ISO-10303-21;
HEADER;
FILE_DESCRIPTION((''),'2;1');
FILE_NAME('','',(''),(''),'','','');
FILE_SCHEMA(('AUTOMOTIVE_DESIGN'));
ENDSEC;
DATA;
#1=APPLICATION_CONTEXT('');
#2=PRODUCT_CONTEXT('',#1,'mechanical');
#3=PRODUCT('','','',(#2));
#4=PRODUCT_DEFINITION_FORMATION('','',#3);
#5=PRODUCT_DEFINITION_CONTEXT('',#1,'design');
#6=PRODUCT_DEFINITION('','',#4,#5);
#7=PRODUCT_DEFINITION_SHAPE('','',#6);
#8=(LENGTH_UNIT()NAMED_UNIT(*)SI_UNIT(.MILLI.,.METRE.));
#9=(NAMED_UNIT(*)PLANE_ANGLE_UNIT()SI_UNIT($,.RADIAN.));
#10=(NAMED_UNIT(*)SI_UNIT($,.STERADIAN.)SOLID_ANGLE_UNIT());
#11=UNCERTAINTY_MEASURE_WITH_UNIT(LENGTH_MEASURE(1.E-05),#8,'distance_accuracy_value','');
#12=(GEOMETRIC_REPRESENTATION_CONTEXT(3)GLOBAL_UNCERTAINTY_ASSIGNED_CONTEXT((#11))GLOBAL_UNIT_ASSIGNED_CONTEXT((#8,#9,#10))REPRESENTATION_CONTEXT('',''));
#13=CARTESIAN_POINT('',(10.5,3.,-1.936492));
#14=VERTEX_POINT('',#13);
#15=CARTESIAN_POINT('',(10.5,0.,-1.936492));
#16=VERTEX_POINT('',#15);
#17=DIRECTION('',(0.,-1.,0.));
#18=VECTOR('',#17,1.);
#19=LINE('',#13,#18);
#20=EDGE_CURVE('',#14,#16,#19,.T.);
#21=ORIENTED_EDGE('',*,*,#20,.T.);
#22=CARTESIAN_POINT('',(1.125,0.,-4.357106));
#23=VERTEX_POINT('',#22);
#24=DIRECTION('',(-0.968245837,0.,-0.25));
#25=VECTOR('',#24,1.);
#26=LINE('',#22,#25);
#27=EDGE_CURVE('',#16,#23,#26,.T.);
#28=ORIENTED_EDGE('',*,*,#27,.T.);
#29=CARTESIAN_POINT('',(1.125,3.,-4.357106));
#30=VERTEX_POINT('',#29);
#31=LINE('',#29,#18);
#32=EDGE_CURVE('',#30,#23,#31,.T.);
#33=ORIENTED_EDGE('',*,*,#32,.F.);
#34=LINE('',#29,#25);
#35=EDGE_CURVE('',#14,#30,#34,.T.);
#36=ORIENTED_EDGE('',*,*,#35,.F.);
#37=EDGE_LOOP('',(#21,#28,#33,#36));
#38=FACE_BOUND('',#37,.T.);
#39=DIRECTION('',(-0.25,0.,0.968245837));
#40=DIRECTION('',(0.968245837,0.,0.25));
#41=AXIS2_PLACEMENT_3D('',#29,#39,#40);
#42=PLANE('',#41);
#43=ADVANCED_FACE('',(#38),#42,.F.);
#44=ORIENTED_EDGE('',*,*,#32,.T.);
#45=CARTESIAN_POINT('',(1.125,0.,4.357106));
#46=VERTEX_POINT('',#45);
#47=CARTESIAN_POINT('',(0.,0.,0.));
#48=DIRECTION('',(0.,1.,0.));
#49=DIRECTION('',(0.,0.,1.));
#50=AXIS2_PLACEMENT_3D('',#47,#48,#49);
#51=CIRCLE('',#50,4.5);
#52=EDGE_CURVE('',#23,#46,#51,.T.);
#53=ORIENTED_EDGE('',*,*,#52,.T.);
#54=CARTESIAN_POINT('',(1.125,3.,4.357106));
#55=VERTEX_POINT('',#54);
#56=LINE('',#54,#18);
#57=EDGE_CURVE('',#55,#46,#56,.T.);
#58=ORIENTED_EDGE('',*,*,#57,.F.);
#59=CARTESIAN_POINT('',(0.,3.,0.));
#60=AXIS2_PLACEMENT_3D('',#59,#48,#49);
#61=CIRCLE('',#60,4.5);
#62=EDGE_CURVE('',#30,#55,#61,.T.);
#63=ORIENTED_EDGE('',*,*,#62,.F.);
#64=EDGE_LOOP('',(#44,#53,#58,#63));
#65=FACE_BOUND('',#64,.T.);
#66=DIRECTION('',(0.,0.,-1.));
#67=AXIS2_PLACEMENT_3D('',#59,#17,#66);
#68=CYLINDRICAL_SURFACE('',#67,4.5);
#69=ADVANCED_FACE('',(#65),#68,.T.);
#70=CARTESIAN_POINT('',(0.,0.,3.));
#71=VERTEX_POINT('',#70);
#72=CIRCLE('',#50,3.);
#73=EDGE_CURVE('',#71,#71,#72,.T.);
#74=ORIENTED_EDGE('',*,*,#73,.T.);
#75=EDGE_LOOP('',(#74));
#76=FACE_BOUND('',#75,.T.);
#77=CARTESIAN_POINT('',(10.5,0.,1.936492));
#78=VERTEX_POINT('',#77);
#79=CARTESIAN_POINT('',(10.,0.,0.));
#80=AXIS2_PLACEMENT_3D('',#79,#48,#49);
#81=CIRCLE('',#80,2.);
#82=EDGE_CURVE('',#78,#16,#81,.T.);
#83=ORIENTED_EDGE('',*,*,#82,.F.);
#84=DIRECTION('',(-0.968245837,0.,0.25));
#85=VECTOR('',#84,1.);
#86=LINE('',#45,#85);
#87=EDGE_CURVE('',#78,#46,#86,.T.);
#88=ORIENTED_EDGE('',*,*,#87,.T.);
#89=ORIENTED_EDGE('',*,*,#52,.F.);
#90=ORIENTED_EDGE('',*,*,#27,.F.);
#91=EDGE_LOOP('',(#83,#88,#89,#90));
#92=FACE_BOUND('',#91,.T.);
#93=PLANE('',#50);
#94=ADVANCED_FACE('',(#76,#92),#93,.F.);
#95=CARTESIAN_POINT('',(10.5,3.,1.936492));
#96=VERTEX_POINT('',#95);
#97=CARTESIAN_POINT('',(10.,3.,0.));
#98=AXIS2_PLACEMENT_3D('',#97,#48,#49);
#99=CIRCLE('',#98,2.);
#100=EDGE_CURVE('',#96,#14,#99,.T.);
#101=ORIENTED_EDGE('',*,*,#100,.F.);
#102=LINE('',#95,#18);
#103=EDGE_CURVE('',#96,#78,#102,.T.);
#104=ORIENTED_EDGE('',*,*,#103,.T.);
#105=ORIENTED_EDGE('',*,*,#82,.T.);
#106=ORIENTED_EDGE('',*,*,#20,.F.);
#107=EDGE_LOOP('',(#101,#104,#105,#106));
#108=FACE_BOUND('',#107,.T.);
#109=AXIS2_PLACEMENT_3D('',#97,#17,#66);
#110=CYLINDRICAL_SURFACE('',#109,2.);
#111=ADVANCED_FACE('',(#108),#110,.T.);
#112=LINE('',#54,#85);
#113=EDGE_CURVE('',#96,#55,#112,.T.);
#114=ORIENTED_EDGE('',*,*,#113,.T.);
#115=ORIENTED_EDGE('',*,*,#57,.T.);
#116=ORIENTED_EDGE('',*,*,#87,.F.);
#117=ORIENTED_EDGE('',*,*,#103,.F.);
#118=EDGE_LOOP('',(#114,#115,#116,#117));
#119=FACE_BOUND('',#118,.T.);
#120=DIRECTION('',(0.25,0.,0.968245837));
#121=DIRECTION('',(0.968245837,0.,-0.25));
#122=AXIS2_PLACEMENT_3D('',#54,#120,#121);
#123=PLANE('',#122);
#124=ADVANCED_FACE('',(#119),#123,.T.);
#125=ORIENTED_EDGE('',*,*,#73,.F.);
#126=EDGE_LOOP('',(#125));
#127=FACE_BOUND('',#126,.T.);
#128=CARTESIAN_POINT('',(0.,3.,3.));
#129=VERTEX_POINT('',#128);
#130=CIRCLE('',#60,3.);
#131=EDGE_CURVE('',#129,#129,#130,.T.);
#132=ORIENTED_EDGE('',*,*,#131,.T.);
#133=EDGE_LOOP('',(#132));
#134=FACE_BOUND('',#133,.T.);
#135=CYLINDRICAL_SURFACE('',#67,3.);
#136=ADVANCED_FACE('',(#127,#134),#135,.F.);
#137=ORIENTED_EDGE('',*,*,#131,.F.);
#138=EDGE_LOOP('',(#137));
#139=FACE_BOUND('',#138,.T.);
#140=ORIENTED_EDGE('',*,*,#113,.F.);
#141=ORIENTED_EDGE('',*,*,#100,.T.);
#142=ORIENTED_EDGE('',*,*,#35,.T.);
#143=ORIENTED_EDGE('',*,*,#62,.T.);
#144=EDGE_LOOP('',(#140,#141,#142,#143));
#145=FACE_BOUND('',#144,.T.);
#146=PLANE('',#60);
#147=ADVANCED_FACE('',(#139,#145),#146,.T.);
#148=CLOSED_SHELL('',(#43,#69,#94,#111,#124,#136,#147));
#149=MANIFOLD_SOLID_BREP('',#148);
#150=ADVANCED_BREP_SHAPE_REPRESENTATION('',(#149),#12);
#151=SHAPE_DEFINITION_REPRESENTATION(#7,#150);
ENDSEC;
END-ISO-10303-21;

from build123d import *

# Parameters (mm, degrees)
SKETCH_1_R      = 4.5
SKETCH_1_R_2    = 3
SKETCH_1_R_3    = 2
EXTRUDE_1_DEPTH = 3


with BuildPart() as part:
    # 草图1 → 凸台-拉伸1 (new body)
    # profile 1 of 3: a face of its own
    with BuildSketch(Plane(origin=(0, 0, 0), x_dir=(1, 0, 0), z_dir=(0, 1, 0))):
        Circle(SKETCH_1_R)
        with Locations(Location((0, 0, 0), (0, 0, 270))):
            Circle(SKETCH_1_R_2, mode=Mode.SUBTRACT)
    # profile 2 of 3: a face of its own
    with BuildSketch(Plane(origin=(0, 0, 0), x_dir=(1, 0, 0), z_dir=(0, 1, 0))):
        with BuildLine():
            ThreePointArc((10.5, -1.936491675), (8, -2e-09), (10.5, 1.936491671))
            Line((10.5, 1.936491671), (1.125000001, 4.357106264))
            ThreePointArc((1.125000001, 4.357106264), (3.557562368, 2.75567596), (4.5, 0))
            ThreePointArc((4.5, 0), (3.557562367, -2.755675961), (1.124999999, -4.357106265))
            Line((1.124999999, -4.357106265), (10.5, -1.936491675))
        make_face()
    # profile 3 of 3: a face of its own
    with BuildSketch(Plane(origin=(0, 0, 0), x_dir=(1, 0, 0), z_dir=(0, 1, 0))):
        with Locations((10, -2e-09)):
            Circle(SKETCH_1_R_3)
    extrude(amount=EXTRUDE_1_DEPTH)


solid = part.part
